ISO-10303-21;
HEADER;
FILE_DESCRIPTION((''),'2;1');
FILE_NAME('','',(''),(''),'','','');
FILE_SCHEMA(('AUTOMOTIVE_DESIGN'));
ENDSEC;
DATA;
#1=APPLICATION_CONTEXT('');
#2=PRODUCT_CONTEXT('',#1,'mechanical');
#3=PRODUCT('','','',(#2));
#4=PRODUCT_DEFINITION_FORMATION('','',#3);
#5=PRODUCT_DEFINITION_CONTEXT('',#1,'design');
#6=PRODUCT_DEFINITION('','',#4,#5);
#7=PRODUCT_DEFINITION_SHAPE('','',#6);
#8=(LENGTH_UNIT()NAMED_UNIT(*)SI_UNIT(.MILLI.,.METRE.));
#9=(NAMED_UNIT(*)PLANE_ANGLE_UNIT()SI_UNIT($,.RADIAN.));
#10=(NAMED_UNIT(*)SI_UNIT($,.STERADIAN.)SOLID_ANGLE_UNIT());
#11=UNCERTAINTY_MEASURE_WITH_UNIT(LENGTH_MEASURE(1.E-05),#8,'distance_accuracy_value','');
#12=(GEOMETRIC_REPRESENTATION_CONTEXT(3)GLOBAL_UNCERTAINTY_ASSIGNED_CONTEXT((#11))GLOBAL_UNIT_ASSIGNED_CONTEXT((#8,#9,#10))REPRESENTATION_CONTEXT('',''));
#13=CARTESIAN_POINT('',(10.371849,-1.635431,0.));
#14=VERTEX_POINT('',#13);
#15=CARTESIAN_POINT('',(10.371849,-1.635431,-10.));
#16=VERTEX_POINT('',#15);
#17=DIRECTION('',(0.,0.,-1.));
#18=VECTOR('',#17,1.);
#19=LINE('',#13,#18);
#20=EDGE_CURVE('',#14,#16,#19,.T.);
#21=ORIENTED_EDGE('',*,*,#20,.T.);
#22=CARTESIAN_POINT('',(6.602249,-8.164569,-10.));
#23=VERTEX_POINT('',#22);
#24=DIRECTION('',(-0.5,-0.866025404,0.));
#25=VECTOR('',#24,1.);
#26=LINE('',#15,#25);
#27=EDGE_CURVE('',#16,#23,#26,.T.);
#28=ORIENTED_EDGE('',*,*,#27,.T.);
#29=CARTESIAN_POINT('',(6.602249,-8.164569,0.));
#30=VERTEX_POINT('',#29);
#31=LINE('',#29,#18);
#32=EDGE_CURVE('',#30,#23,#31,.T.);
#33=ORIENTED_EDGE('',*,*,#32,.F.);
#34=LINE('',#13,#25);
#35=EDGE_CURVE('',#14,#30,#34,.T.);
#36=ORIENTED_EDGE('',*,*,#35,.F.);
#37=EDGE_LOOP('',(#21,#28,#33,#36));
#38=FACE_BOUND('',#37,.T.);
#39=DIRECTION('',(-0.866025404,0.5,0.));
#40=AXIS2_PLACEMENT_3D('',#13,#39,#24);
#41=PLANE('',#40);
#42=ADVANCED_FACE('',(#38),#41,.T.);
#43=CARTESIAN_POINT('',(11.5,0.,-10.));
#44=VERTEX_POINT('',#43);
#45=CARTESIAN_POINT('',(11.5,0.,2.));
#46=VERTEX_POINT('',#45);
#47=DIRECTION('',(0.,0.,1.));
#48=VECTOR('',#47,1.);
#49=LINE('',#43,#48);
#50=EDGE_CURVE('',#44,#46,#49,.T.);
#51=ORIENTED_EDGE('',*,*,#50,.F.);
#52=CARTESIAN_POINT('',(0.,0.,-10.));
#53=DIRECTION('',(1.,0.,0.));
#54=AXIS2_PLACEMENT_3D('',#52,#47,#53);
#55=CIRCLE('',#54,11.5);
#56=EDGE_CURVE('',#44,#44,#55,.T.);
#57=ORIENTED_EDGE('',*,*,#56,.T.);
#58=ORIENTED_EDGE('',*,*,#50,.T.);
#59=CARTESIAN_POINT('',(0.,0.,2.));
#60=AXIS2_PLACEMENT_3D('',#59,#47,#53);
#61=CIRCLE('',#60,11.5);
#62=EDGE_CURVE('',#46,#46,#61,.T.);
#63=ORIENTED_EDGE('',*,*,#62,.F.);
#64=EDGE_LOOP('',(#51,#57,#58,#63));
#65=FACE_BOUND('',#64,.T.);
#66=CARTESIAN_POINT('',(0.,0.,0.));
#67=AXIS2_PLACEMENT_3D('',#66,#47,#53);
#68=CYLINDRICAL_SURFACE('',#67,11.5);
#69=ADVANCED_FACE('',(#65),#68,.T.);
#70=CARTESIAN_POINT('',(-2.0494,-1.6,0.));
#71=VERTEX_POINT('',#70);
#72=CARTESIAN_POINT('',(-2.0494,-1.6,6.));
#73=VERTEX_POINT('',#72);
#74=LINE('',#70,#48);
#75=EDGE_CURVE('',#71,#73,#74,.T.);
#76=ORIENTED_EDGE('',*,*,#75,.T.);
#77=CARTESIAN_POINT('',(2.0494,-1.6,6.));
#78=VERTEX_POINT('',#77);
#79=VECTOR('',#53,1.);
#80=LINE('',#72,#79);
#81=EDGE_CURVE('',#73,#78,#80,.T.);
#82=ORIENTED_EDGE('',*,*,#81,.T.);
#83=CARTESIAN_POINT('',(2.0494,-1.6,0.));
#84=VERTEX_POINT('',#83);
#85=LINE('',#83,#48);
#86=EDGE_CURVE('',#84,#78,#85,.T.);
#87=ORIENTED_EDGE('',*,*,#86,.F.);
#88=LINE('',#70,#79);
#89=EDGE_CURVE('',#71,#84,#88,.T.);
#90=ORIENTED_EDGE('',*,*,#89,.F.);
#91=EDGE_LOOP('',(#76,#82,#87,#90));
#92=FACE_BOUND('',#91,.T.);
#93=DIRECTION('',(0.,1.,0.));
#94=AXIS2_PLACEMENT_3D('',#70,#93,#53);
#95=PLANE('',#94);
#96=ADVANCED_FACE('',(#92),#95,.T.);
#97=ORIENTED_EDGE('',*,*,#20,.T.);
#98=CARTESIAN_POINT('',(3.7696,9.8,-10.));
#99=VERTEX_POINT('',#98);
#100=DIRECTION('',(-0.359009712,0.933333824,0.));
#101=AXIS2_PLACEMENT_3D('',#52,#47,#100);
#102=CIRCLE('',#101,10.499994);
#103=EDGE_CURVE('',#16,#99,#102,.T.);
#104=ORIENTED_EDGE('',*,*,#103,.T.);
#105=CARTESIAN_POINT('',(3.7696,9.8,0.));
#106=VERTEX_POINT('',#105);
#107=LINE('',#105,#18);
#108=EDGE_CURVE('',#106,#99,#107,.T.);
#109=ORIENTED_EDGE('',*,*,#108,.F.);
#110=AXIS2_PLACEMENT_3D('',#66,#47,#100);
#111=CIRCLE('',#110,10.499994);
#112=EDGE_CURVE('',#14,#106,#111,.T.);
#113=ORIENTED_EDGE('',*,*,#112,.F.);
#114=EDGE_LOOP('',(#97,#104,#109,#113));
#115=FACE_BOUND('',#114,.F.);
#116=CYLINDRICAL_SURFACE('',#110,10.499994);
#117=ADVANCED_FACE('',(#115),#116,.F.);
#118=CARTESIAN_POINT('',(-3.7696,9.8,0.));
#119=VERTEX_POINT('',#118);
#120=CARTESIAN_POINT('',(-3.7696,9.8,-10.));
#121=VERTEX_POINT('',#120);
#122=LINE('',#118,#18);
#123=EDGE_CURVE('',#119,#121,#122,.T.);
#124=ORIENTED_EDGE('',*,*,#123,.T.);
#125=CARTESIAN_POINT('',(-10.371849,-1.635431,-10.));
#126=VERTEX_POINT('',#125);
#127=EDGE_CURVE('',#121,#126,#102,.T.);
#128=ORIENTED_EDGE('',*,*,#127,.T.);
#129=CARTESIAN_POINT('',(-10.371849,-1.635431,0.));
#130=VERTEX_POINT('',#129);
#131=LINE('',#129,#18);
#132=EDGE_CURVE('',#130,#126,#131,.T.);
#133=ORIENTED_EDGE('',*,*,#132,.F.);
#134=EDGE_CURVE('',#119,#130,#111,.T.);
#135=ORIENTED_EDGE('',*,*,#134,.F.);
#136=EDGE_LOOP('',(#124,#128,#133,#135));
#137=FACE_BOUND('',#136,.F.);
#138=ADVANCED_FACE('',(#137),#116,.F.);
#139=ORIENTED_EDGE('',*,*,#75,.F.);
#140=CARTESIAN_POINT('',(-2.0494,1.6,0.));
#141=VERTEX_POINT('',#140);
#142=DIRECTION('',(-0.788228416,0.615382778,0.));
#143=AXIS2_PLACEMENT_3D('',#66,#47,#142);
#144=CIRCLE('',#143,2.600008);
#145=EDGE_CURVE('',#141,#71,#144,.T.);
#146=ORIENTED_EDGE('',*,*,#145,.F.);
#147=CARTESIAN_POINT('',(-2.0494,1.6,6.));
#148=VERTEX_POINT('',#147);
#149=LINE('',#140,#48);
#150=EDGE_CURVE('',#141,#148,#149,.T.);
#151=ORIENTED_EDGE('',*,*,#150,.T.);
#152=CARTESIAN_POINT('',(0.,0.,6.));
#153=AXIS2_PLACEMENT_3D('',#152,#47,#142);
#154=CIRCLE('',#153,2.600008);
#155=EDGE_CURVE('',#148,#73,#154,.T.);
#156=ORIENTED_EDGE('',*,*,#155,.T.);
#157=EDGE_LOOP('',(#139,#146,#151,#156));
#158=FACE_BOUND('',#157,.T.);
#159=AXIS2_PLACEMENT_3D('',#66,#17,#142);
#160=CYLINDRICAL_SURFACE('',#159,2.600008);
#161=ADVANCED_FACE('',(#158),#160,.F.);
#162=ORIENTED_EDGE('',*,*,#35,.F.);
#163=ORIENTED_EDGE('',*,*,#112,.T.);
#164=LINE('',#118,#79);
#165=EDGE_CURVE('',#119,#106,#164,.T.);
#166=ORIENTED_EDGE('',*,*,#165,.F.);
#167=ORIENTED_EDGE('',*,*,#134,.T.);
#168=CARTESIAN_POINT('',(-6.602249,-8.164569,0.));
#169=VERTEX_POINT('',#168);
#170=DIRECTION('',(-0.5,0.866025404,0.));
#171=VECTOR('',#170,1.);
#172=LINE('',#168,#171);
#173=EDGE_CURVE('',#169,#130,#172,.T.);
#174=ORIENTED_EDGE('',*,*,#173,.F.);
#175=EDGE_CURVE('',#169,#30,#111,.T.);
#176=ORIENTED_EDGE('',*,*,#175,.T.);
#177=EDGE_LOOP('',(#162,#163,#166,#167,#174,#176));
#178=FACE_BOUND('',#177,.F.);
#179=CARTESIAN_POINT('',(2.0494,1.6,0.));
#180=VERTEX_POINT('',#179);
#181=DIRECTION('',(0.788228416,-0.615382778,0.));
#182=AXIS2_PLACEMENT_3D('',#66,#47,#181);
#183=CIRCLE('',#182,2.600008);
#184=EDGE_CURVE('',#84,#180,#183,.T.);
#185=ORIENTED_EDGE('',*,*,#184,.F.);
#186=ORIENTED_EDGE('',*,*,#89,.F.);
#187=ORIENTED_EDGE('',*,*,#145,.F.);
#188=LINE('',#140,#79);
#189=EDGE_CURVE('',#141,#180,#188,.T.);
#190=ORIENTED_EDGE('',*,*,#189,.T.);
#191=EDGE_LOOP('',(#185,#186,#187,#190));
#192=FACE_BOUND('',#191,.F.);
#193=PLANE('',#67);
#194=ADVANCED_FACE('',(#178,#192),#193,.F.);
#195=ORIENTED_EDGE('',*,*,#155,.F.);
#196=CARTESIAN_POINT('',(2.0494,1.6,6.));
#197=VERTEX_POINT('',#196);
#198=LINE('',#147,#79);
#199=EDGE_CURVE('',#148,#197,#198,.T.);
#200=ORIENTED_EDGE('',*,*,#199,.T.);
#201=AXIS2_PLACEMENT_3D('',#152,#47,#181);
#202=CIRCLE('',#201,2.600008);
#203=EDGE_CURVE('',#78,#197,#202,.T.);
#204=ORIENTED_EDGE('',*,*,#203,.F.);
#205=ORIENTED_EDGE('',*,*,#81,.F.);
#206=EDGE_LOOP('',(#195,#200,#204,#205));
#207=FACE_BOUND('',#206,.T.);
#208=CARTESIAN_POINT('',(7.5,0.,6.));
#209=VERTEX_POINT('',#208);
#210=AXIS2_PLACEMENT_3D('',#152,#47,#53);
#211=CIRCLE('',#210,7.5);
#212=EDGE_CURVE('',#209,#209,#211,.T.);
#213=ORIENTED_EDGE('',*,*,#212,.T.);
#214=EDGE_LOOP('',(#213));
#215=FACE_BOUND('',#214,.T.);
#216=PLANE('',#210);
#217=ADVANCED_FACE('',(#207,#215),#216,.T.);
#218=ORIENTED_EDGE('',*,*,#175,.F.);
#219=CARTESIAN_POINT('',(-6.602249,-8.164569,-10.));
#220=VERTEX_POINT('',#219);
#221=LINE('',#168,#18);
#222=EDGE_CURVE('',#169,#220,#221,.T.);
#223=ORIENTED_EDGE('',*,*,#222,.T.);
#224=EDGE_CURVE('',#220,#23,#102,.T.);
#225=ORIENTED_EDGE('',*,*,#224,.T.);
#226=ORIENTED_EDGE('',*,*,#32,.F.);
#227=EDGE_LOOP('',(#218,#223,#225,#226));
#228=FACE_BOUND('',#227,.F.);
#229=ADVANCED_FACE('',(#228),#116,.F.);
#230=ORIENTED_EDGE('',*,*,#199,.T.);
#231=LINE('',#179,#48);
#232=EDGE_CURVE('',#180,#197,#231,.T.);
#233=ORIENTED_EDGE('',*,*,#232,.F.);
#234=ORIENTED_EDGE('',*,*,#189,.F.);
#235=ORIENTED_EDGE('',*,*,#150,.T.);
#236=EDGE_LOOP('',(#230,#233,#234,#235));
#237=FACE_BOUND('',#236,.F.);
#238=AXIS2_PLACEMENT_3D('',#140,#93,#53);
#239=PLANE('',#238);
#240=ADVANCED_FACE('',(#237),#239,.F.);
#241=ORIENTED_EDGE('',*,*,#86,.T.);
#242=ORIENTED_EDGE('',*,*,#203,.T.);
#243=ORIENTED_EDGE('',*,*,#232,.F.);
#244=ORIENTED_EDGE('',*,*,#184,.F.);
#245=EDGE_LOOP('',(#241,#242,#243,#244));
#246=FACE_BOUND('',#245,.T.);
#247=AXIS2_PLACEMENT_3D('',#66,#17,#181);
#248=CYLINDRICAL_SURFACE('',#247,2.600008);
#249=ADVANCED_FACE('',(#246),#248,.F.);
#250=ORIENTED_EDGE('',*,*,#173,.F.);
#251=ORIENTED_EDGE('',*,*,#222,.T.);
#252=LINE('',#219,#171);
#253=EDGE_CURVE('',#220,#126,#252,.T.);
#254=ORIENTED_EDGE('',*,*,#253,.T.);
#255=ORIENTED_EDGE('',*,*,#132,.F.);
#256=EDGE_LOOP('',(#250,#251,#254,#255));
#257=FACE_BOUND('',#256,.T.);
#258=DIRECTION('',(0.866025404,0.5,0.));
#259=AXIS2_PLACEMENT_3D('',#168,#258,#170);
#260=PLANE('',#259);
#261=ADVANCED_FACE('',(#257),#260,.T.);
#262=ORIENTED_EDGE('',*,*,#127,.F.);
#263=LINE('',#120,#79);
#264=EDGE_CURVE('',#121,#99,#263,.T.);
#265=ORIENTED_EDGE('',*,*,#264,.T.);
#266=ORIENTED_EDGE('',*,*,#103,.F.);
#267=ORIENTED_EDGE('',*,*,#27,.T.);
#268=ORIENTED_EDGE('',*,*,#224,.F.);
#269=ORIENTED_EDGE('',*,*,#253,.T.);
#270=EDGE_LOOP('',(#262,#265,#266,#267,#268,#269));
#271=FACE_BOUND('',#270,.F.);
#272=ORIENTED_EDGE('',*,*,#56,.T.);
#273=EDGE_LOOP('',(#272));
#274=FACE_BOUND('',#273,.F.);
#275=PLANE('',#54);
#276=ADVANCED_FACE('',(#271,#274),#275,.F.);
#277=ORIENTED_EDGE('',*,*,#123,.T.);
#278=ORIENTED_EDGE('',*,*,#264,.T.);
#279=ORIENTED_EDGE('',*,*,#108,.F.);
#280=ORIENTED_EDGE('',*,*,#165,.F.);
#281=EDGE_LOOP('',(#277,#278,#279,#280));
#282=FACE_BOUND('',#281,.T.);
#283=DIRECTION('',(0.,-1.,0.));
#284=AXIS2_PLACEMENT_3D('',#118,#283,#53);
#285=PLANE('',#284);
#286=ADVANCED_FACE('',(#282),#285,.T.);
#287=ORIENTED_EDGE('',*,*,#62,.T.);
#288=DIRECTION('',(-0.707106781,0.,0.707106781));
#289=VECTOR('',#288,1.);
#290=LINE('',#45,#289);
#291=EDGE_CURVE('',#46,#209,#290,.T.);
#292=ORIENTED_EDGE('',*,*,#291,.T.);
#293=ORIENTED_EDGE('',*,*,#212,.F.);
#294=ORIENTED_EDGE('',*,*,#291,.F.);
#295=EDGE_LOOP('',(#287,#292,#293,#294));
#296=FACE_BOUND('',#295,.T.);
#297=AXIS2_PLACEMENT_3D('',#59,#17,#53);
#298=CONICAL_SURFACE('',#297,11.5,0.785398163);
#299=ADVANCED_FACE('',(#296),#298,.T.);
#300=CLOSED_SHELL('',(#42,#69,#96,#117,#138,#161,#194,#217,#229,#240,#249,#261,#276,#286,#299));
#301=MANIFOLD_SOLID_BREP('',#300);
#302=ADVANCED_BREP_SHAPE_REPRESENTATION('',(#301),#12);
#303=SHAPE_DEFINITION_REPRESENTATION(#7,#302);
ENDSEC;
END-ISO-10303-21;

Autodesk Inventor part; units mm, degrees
ref_plane "YZ Plane" through (0, 0, 0) normal (1, 0, 0) x (0, 1, 0)
ref_plane "XZ Plane" through (0, 0, 0) normal (0, 1, 0) x (-1, 0, 0)
ref_plane "XY Plane" through (0, 0, 0) normal (0, 0, 1) x (1, 0, 0)
sketch "Sketch1" plane through (0, 0, 0) normal (0, 0, 1) x (1, 0, 0)
  circle A0 centre (0, 0) radius 10 construction
  circle A1 centre (0, 0) radius 11.5
  arc A2 (-3.7696, 9.8) -> (3.7696, 9.8) centre (0, 0) ccw
  line L0 (-3.7696, 9.8) -> (3.7696, 9.8)
  point P0 (0, 0)
  dimension "d0" = 23
  dimension "d1" = 21
  dimension "d2" = 9.8
extrude "Extrusion1" add sketch "Sketch1" against normal blind 10
pattern_circular "Circular Pattern1" count 3 over 360 about axis through (0, 0, 0) along (0, 0, -1) of "Extrusion1"
sketch "Sketch2" plane through (0, 0, 0) normal (0, 0, 1) x (1, 0, 0)
  circle A0 centre (0, 0) radius 11.5 projected
  line L0 (-3.7696, 9.8) -> (3.7696, 9.8) projected
  arc A1 (10.3719, -1.6354) -> (3.7696, 9.8) centre (0, 0) ccw projected
  line L1 (10.3719, -1.6354) -> (6.6022, -8.1646) projected
  arc A2 (-6.6022, -8.1646) -> (6.6022, -8.1646) centre (0, 0) ccw projected
  line L2 (-6.6022, -8.1646) -> (-10.3719, -1.6354) projected
  arc A3 (-3.7696, 9.8) -> (-10.3719, -1.6354) centre (0, 0) ccw projected
  line L3 (-2, -1.5) -> (2, -1.5) projected
  line L4 (2, 1.5) -> (-2, 1.5) projected
  arc A4 (-2.5, 0) -> (2.5, 0) centre (0, 0) ccw construction
  line L5 (-2.0494, -1.6) -> (2.0494, -1.6)
  line L6 (-2.0494, 1.6) -> (2.0857, 1.6)
  arc A5 (2.0494, -1.6) -> (2.0494, 1.6) centre (0, 0) ccw
  arc A6 (-2.0494, 1.6) -> (-2.0494, -1.6) centre (0, 0) ccw
  point P0 (0, 0)
  dimension "d11" = 0.1
  dimension "d12" = 0.1
extrude "Extrusion2" add sketch "Sketch2" along normal blind 6 contours A0 | L0 A1 L1 A2 L2 A3
chamfer "Chamfer1" distance 4 angle 45 1 edges at (-11.5, 0, 6)
properties part number "02_WG_writer_clutch"
